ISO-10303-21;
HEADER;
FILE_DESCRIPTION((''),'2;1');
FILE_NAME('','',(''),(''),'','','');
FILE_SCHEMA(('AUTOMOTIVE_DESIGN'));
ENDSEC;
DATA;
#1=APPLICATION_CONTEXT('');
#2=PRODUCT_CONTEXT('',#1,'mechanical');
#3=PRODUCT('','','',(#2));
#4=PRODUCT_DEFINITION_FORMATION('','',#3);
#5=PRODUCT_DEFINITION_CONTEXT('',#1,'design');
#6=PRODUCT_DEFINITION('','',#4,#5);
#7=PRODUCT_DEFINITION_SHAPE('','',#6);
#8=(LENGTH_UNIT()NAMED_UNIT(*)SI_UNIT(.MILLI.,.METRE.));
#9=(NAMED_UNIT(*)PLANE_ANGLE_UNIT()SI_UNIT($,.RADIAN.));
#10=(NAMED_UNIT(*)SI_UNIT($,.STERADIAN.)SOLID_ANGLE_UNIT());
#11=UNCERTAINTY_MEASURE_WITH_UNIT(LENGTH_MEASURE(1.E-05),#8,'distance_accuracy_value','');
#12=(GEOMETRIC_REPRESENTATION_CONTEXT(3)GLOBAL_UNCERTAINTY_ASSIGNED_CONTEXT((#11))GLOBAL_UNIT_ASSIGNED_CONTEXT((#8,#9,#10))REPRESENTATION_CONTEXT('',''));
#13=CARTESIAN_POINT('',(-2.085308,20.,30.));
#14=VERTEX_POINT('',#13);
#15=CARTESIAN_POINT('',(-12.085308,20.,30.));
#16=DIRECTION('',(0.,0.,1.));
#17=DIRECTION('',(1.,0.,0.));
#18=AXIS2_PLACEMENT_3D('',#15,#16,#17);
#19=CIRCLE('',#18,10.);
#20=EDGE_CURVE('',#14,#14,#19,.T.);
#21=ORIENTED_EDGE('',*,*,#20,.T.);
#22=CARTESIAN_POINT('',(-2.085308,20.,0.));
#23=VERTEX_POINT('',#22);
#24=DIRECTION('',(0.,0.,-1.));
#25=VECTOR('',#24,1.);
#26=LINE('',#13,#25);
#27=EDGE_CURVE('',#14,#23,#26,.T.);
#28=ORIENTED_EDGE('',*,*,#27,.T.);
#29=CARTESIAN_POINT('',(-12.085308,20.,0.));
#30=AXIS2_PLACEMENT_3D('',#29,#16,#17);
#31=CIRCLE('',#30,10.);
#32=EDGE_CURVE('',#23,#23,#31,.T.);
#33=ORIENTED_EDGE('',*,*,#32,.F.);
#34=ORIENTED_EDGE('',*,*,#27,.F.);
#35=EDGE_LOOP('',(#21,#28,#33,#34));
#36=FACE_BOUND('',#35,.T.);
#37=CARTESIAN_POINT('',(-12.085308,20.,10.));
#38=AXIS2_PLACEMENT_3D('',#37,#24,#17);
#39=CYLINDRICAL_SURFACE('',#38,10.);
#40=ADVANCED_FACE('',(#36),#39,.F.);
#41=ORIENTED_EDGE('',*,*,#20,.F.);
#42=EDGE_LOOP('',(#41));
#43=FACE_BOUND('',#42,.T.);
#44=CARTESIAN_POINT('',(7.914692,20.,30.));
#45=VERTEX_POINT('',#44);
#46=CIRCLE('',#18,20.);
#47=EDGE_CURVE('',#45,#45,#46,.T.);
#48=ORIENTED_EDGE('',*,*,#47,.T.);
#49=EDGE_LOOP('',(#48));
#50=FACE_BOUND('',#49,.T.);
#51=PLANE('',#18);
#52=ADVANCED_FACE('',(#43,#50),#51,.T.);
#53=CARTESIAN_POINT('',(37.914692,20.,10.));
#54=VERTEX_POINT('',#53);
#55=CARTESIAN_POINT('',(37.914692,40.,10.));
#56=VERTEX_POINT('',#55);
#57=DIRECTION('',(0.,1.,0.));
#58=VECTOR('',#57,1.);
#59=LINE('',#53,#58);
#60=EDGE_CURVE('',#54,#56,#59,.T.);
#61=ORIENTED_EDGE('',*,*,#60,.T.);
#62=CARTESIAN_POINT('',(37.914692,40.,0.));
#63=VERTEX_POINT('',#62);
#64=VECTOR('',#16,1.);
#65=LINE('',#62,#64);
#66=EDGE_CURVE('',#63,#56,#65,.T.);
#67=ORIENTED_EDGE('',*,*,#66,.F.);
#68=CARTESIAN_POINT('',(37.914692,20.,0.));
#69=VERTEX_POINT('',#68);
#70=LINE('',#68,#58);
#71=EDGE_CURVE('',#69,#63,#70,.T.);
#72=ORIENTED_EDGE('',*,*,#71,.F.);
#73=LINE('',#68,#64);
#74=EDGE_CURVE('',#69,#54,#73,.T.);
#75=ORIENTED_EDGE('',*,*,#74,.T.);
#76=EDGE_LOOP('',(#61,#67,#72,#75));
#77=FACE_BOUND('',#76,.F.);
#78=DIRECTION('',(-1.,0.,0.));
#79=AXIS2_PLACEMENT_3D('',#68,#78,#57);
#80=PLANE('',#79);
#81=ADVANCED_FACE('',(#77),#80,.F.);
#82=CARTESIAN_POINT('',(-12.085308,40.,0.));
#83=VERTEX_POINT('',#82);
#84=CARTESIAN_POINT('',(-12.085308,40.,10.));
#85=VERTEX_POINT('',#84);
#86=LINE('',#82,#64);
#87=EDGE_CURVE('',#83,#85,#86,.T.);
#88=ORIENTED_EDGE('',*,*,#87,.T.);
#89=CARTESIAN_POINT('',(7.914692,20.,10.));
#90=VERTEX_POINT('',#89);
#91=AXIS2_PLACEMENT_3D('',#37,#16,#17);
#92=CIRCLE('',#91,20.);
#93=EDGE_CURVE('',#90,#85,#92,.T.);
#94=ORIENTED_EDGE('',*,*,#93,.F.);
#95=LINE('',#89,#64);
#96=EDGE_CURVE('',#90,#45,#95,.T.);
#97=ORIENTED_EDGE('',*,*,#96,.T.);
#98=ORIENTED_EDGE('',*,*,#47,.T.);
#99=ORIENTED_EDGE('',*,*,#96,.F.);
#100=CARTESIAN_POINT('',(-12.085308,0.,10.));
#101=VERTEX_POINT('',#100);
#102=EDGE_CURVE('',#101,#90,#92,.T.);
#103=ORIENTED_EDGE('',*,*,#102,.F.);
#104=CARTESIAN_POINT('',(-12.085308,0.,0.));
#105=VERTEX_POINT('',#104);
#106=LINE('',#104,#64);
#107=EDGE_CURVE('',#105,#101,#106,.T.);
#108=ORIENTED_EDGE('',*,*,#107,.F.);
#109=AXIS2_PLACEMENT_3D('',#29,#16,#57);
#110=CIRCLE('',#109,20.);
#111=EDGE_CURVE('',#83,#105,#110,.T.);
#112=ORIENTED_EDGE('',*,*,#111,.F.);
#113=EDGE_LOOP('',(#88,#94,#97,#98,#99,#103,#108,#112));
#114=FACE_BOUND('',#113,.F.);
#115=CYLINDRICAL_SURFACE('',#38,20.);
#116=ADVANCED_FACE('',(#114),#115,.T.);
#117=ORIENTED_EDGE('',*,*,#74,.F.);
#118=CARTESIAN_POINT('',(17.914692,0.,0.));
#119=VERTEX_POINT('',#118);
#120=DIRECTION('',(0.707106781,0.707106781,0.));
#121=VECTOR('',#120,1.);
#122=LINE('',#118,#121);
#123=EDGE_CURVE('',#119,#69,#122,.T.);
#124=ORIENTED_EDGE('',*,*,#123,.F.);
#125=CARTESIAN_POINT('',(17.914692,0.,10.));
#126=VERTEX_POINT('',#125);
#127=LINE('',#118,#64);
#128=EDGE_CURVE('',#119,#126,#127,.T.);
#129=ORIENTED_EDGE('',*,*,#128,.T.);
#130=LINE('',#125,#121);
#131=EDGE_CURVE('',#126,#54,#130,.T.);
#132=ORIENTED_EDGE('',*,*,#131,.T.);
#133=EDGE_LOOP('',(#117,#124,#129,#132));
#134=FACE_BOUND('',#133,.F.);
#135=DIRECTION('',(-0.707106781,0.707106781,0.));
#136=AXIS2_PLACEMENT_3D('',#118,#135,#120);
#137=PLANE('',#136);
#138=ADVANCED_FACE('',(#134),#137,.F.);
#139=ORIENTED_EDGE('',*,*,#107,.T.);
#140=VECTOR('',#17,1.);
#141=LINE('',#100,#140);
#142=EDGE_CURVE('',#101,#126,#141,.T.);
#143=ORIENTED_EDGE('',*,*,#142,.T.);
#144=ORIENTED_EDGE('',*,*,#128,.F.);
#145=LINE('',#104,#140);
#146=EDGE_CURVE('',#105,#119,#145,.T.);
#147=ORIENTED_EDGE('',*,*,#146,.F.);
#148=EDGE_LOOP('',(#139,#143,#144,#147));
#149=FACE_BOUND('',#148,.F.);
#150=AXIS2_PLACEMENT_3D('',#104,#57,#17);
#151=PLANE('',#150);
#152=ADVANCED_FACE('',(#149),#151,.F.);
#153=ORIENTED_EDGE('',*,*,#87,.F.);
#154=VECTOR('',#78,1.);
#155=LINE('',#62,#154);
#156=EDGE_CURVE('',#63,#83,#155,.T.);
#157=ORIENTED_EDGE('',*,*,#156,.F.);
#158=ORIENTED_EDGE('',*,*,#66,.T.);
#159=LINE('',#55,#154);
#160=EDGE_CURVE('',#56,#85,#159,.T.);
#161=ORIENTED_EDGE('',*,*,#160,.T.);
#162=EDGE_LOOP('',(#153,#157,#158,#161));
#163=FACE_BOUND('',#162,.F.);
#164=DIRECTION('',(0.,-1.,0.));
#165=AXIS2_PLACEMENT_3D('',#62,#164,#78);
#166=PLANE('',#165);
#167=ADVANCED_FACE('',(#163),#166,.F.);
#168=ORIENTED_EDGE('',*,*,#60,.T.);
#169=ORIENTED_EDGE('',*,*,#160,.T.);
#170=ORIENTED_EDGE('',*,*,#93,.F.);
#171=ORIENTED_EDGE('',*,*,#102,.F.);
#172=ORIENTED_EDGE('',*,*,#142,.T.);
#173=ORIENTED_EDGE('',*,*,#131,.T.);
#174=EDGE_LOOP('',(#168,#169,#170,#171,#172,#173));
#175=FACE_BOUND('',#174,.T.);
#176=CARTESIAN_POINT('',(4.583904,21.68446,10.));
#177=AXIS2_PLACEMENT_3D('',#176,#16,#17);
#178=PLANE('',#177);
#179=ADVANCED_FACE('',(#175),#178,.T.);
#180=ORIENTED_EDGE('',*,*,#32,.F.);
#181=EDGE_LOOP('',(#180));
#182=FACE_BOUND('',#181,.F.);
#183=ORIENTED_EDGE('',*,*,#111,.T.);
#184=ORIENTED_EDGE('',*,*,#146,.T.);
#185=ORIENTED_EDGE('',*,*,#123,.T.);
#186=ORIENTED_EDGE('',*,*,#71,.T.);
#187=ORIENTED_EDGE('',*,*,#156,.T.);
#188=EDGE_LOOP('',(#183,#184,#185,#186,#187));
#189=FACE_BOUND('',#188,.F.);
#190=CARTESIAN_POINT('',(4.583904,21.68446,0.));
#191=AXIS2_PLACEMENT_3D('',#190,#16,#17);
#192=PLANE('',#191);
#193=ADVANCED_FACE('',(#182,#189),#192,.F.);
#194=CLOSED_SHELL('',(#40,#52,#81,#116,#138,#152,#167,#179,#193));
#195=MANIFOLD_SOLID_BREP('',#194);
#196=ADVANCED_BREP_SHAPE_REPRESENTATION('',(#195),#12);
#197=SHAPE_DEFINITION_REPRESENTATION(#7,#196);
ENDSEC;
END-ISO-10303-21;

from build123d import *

# Parameters (mm, degrees)
F0_R     = 10
F1_DEPTH = 10
F2_R     = 20
F2_R_2   = 10
F3_DEPTH = 20


with BuildPart() as f1:
    # F0 (on Top) → F1 (new body)
    with BuildSketch(Plane.XY):
        with BuildLine():
            Line((17.914692, 0), (37.914692, 20))
            Line((37.914692, 20), (37.914692, 40))
            Line((37.914692, 40), (-12.085308, 40))
            ThreePointArc((-12.085308, 40), (-32.085308, 20), (-12.085308, 0))
            Line((-12.085308, 0), (17.914692, 0))
        make_face()
        with Locations((-12.085308, 20)):
            Circle(F0_R, mode=Mode.SUBTRACT)
    extrude(amount=F1_DEPTH)

    # F2 (on face) → F3 (join)
    with BuildSketch(Plane.XY.offset(10)):
        with Locations((-12.085308, 20)):
            Circle(F2_R)
        with Locations((-12.085308, 20)):
            Circle(F2_R_2, mode=Mode.SUBTRACT)
    extrude(amount=F3_DEPTH)


solid = f1.part
